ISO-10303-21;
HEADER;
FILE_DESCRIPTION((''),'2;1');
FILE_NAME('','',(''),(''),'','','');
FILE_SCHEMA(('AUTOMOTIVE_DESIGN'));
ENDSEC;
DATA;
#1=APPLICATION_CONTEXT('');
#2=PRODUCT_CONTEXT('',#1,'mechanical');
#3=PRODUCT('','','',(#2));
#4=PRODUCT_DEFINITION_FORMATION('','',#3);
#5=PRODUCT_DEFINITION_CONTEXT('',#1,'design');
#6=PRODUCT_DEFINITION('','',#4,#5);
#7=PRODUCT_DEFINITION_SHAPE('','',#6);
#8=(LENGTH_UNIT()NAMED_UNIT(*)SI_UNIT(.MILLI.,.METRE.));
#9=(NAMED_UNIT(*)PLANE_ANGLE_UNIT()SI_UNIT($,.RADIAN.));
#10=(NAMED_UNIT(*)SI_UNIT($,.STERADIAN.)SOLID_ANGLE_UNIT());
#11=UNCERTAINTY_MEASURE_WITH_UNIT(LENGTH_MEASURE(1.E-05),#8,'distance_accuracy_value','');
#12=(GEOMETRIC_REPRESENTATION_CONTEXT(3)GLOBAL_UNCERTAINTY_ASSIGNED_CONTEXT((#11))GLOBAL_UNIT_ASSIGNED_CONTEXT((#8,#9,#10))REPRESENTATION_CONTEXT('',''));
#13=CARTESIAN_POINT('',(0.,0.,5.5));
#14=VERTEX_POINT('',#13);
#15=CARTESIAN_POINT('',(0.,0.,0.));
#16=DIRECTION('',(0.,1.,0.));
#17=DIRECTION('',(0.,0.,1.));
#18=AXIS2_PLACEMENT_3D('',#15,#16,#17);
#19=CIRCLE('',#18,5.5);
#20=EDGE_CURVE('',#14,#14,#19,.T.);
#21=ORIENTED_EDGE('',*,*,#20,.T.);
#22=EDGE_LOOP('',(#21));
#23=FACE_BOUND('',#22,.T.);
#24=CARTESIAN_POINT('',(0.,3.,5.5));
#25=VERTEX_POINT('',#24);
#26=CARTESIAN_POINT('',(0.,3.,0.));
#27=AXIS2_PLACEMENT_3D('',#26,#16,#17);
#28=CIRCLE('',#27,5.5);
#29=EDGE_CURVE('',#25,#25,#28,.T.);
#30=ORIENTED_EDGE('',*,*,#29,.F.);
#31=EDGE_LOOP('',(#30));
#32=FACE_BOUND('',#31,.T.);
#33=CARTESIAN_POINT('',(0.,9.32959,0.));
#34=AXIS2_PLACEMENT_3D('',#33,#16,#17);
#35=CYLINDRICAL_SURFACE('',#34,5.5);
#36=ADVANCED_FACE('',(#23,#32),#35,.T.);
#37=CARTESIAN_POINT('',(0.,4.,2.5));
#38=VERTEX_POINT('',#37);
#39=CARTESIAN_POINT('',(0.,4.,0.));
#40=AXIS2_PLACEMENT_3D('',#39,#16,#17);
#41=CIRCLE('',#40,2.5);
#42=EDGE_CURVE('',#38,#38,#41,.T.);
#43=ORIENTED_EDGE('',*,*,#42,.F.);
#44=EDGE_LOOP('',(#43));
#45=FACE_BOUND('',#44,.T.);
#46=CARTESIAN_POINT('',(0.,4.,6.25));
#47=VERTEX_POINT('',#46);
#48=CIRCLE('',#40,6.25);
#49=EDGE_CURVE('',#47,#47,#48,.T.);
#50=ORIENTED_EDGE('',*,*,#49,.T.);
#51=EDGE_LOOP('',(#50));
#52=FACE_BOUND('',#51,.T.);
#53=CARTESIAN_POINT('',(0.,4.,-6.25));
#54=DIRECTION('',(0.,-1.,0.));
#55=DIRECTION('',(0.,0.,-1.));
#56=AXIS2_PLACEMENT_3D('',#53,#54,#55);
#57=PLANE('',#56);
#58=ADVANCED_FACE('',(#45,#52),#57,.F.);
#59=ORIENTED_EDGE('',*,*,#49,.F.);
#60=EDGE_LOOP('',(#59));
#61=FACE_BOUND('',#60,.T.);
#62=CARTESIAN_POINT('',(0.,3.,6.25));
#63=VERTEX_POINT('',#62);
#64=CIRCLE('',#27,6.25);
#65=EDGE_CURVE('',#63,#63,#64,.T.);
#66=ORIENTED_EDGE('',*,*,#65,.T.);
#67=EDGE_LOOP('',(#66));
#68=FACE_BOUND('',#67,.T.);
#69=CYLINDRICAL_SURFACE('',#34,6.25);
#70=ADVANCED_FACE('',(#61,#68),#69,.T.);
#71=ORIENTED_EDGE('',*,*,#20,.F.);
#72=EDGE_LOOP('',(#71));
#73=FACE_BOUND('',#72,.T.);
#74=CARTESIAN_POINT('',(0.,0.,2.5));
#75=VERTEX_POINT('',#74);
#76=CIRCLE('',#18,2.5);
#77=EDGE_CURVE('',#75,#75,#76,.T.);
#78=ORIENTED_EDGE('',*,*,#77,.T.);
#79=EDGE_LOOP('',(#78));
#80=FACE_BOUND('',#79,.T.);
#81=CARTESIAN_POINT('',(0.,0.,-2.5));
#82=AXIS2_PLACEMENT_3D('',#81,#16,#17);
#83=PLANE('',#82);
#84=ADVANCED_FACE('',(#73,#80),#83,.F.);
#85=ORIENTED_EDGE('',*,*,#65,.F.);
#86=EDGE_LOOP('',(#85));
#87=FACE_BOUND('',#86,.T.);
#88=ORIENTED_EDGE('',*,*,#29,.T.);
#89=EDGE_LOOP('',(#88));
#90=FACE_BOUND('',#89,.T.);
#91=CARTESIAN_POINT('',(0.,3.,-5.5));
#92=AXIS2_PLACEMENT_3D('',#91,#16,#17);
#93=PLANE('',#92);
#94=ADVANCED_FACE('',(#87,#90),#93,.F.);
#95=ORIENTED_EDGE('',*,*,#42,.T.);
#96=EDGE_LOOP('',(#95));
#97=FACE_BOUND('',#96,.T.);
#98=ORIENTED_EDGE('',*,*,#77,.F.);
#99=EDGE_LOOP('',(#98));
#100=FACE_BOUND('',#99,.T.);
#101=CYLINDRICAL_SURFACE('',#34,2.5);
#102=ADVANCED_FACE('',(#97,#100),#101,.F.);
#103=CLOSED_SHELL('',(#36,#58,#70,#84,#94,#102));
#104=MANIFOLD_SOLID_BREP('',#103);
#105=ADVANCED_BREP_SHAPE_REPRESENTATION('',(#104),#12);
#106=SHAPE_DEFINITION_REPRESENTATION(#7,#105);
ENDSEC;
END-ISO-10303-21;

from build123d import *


with BuildPart() as part:
    # Sketch1 → Revolve1 (revolve)
    with BuildSketch(Plane(origin=(0, 0, 0), x_dir=(0, 0, -1), z_dir=(1, 0, 0))):
        Polygon((2.5, 0), (5.5, 0), (5.5, 3), (6.25, 3), (6.25, 4), (2.5, 4), align=None)
    revolve(axis=Axis((0, 9.329589921, 0), (0, -1, 0)))


solid = part.part
